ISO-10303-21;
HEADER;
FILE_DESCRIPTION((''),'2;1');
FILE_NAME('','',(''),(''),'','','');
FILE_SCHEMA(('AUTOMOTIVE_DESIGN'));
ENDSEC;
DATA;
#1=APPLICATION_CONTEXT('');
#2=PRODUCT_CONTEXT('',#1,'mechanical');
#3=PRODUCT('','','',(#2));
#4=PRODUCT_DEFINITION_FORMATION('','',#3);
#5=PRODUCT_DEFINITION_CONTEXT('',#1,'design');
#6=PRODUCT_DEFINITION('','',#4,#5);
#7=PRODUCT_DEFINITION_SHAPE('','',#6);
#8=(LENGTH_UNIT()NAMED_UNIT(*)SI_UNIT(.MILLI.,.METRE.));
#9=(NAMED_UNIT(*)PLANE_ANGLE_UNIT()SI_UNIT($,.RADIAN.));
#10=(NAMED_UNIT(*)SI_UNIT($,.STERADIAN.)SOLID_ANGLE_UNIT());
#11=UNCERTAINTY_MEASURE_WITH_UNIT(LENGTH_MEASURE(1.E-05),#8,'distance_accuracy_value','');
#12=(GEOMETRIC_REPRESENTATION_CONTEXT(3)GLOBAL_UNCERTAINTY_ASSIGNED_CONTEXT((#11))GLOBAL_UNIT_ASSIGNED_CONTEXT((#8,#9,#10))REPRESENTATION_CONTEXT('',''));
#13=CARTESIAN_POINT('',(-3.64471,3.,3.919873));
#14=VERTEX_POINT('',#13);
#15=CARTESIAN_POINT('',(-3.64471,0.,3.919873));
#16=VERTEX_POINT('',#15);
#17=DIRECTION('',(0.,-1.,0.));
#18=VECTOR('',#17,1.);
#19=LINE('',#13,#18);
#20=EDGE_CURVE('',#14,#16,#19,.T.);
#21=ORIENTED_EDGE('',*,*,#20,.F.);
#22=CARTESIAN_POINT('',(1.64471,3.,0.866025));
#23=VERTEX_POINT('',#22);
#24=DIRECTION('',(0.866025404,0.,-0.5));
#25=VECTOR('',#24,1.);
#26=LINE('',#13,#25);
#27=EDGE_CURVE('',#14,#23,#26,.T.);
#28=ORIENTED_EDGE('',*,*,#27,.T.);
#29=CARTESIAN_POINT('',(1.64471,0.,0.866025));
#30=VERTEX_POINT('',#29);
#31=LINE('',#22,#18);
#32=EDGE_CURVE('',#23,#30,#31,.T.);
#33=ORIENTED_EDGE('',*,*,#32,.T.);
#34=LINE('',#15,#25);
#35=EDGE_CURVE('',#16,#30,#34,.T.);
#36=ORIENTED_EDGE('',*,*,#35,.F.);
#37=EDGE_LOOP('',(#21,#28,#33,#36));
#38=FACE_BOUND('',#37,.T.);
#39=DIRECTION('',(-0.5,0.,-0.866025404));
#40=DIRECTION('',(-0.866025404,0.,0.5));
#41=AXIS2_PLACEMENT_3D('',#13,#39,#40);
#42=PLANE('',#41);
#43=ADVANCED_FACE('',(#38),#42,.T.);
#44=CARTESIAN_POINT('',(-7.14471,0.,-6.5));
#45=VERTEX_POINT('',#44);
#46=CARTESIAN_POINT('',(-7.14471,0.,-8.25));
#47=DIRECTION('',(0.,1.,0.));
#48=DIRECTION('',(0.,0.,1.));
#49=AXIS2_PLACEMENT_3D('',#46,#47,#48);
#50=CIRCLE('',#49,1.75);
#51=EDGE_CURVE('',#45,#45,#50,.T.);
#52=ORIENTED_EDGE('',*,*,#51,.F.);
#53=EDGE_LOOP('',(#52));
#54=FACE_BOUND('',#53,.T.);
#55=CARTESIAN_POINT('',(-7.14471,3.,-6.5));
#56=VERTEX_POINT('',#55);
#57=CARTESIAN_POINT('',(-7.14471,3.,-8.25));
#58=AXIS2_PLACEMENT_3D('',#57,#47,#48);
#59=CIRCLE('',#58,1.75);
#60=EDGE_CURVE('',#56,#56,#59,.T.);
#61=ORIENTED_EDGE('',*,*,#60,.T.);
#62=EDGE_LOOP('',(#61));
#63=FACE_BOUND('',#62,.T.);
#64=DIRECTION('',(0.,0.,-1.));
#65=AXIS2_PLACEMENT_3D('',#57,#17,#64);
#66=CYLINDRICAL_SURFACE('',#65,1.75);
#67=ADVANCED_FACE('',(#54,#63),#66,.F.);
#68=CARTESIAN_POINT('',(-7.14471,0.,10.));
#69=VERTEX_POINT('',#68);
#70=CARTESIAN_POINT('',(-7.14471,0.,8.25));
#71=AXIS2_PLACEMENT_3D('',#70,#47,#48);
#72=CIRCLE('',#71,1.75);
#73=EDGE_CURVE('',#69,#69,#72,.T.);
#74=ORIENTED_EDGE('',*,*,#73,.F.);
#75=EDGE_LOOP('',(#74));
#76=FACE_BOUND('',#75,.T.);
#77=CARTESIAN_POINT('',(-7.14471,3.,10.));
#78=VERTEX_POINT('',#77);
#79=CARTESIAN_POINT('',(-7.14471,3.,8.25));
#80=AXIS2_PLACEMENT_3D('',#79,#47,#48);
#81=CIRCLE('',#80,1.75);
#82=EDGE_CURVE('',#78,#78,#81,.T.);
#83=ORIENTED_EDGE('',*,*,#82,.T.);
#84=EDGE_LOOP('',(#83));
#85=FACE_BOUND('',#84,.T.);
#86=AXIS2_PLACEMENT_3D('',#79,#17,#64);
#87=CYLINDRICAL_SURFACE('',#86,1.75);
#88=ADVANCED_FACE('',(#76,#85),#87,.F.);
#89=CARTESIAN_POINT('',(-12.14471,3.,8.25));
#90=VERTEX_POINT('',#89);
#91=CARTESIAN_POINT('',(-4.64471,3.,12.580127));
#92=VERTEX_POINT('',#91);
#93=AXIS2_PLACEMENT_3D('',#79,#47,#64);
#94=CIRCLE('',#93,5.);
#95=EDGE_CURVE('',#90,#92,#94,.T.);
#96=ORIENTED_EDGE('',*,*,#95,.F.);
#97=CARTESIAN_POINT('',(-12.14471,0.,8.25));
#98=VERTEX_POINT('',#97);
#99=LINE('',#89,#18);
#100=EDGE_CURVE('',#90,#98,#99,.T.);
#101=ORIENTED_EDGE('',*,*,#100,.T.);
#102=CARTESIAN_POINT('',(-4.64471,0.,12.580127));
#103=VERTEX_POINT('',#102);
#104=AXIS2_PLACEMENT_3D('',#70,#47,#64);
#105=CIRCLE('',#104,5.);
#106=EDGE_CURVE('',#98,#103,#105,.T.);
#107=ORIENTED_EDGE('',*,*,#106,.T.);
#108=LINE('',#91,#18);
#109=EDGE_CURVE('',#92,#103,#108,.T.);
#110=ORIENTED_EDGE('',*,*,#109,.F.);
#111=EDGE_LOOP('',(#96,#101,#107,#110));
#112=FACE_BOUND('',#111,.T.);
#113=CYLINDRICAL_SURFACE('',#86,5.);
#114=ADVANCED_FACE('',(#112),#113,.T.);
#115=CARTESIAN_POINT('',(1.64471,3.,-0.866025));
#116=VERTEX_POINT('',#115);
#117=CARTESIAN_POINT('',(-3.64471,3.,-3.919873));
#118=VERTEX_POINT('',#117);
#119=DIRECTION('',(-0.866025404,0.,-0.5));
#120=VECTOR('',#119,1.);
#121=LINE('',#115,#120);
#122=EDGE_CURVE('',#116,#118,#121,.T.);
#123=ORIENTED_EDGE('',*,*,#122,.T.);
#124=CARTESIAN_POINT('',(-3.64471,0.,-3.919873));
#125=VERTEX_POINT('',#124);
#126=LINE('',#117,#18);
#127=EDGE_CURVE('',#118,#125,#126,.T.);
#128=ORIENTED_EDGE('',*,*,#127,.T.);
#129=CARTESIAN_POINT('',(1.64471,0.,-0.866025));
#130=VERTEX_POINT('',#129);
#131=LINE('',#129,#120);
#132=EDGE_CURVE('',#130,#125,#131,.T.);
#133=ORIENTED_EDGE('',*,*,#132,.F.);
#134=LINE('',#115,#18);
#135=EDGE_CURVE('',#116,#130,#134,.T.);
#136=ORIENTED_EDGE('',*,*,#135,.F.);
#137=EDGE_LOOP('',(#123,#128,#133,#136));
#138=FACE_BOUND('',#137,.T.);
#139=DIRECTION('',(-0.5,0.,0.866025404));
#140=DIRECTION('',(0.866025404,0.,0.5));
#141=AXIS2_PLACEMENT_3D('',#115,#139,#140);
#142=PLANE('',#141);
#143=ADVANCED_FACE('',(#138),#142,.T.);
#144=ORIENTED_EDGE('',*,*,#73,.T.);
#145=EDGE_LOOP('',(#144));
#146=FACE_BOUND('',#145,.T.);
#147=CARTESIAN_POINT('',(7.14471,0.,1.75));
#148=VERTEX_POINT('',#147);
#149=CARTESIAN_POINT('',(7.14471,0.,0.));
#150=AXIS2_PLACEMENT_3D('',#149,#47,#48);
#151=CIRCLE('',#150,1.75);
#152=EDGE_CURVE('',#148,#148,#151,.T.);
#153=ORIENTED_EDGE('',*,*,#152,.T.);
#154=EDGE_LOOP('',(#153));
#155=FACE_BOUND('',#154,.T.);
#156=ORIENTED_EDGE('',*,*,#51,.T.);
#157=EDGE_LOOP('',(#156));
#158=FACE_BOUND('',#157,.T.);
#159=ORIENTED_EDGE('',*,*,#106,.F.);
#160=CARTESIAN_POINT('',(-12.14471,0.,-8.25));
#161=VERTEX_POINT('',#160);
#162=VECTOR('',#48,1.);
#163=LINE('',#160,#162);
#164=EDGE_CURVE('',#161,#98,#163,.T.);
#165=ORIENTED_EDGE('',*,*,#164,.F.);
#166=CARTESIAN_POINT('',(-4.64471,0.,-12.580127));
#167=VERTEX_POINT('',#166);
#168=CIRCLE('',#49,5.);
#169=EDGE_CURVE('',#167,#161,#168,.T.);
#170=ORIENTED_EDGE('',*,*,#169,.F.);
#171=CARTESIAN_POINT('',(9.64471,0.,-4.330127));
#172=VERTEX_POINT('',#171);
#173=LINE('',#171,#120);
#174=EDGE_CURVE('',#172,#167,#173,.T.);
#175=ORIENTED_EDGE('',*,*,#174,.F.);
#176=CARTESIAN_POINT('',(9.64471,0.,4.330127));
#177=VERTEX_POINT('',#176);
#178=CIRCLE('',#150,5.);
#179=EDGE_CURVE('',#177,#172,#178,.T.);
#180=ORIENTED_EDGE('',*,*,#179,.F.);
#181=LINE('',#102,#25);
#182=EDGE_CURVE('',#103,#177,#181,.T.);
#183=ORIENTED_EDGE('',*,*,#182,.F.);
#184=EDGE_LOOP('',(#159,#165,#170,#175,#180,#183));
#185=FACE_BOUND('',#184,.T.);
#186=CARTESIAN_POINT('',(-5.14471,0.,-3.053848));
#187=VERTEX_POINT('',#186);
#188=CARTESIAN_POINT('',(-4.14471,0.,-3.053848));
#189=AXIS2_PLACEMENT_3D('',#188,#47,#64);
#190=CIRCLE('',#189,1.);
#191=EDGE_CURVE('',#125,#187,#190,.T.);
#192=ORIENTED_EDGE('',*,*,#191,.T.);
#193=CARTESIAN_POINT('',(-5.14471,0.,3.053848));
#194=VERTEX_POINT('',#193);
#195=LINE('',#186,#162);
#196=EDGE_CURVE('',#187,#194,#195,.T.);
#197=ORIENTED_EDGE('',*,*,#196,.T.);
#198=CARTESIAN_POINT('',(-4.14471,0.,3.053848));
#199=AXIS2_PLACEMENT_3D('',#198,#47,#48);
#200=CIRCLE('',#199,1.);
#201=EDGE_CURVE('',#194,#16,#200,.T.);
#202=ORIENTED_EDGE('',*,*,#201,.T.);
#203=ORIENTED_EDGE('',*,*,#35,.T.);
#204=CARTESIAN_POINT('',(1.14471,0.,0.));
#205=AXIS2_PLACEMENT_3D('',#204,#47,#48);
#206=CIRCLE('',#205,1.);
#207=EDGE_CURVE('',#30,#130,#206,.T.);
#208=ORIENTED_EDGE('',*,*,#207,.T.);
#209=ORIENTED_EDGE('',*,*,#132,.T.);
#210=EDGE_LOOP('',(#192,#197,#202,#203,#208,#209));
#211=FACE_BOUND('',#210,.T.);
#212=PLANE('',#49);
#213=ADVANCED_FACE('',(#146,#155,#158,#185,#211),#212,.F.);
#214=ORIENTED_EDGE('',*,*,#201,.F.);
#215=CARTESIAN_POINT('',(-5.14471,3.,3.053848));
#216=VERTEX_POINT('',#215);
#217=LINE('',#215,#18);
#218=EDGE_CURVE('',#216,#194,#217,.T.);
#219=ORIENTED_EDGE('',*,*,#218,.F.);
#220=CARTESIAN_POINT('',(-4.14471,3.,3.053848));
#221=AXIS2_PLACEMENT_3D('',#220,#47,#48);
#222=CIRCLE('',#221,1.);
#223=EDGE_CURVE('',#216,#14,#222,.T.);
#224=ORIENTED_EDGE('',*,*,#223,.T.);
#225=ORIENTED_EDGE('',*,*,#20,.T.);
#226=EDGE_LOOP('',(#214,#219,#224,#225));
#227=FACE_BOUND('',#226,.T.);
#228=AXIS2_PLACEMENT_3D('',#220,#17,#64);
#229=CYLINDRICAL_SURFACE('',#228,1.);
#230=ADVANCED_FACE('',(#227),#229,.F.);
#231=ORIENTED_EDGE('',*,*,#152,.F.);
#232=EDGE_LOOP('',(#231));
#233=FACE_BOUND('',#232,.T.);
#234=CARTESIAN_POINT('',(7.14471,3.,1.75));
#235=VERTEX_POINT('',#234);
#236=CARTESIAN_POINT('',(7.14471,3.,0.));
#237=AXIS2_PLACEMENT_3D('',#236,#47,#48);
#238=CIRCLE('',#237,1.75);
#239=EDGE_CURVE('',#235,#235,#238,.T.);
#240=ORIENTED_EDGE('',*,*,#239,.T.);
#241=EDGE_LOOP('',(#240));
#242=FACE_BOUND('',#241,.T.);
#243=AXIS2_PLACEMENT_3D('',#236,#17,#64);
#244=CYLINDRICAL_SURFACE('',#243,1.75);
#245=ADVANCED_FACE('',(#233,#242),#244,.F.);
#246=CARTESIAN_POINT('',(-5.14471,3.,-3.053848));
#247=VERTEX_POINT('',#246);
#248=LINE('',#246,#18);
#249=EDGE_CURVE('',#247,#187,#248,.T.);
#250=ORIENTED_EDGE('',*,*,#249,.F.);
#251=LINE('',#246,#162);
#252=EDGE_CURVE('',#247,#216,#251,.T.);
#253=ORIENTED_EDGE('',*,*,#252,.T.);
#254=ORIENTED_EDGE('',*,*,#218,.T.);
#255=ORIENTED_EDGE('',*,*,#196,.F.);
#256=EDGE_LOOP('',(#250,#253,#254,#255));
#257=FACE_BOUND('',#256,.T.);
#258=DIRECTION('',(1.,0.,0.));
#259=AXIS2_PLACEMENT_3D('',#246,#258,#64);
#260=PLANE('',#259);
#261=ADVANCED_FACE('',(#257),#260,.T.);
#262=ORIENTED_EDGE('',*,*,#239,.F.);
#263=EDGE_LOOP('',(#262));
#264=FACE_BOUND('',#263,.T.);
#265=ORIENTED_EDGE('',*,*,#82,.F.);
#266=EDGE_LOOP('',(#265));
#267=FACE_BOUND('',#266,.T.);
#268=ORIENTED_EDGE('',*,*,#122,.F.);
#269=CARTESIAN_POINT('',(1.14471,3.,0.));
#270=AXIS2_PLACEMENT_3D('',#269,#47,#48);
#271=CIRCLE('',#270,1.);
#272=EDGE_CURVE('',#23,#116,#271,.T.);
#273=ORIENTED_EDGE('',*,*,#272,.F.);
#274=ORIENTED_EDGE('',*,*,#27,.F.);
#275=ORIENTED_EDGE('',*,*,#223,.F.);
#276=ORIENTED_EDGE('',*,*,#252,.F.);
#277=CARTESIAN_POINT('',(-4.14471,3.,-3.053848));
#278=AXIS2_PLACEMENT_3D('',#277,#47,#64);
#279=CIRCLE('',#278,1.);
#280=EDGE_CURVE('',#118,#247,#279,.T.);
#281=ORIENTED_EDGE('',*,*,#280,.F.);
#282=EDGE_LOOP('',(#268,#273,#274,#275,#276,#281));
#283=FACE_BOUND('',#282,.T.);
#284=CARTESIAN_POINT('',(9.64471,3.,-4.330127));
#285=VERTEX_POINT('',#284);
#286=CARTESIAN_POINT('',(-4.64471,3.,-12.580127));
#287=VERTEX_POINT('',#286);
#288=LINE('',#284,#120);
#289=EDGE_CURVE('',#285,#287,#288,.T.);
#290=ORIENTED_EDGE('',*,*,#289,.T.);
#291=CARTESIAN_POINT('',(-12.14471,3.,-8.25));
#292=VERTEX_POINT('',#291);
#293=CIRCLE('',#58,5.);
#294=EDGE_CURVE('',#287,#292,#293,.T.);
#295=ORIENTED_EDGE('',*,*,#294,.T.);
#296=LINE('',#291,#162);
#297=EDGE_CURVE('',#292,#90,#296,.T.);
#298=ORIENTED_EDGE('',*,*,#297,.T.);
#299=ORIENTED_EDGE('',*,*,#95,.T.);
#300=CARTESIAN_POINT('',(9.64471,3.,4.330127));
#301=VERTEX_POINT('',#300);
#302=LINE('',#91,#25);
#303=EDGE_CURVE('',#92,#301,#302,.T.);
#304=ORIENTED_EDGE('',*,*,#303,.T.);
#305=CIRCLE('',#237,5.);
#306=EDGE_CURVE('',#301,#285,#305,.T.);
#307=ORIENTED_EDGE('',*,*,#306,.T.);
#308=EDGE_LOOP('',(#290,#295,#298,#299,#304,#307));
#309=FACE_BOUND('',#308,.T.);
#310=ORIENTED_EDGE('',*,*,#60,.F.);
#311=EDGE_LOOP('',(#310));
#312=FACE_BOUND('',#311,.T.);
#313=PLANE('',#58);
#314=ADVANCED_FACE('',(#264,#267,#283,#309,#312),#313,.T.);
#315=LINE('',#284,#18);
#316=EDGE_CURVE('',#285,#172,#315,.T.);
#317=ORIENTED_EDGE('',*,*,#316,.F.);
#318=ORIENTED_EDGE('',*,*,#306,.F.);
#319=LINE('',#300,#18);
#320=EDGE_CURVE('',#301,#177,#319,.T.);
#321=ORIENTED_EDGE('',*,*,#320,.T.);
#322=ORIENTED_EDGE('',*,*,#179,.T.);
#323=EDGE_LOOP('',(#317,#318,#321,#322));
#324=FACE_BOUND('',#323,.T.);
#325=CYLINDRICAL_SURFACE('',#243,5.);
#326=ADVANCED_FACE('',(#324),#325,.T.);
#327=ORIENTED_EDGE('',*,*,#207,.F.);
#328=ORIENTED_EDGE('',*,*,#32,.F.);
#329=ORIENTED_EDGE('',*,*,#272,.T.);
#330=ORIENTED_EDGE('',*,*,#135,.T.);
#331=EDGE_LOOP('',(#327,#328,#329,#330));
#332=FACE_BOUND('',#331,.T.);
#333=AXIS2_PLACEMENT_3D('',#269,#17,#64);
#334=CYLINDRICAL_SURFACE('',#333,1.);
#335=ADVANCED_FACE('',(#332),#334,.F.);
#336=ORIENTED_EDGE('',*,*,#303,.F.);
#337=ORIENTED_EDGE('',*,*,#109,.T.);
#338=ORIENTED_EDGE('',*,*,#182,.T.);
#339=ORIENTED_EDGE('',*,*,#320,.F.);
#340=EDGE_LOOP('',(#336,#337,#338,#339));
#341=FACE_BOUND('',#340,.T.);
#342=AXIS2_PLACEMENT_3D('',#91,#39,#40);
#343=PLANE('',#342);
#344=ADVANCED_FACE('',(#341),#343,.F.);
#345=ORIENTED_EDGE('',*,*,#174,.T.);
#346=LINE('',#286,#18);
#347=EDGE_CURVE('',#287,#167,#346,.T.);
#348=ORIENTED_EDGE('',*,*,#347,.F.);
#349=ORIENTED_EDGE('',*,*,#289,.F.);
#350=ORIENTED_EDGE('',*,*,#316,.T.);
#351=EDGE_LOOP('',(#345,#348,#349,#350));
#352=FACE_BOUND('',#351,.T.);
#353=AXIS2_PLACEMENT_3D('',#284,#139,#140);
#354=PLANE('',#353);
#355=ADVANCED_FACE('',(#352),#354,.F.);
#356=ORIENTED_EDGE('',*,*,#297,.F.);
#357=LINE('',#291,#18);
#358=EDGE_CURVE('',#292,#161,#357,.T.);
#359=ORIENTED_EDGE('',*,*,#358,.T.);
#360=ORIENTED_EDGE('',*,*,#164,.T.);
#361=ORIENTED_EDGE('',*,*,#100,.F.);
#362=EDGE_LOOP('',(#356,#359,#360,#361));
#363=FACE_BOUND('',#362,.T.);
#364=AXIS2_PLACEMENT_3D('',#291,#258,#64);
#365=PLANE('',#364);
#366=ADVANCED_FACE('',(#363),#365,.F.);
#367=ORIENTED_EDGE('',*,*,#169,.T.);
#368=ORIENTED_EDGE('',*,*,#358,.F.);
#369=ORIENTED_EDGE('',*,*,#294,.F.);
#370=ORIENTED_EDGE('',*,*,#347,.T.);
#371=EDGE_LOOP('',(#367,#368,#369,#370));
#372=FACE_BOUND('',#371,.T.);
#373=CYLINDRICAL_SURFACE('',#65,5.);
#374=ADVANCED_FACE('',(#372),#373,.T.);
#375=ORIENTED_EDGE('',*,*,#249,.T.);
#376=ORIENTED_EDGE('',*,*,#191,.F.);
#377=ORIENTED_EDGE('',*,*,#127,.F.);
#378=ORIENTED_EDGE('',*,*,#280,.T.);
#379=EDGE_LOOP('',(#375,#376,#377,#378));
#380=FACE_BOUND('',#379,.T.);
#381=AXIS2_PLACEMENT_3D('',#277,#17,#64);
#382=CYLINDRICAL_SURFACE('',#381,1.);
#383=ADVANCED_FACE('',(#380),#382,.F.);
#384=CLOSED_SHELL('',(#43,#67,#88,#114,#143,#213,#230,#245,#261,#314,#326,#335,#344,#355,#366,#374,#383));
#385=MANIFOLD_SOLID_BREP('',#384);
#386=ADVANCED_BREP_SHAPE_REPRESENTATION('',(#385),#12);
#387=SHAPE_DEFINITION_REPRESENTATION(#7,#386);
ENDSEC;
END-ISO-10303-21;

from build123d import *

# Parameters (mm, degrees)
SKETCH3_R           = 1.75
BOSS_EXTRUDE1_DEPTH = 3


with BuildPart() as part:
    # Sketch3 → Boss-Extrude1 (new body)
    with BuildSketch(Plane(origin=(0, 0, 0), x_dir=(1, 0, 0), z_dir=(0, 1, 0))):
        with BuildLine():
            Line((9.644709581, 4.330127019), (-4.644709581, 12.580127019))
            ThreePointArc((-4.644709581, 12.580127019), (-9.644709581, 12.580127019), (-12.144709581, 8.25))
            Line((-12.144709581, 8.25), (-12.144709581, -8.25))
            ThreePointArc((-12.144709581, -8.25), (-9.644709581, -12.580127019), (-4.644709581, -12.580127019))
            Line((-4.644709581, -12.580127019), (9.644709581, -4.330127019))
            ThreePointArc((9.644709581, -4.330127019), (12.144709581, 0), (9.644709581, 4.330127019))
        make_face()
        with Locations((7.144709581, 0)):
            Circle(SKETCH3_R, mode=Mode.SUBTRACT)
        with Locations((-7.144709581, 8.25)):
            Circle(SKETCH3_R, mode=Mode.SUBTRACT)
        with Locations((-7.144709581, -8.25)):
            Circle(SKETCH3_R, mode=Mode.SUBTRACT)
        with BuildLine():
            Line((1.644709581, 0.866025404), (-3.644709581, 3.919872981))
            ThreePointArc((-3.644709581, 3.919872981), (-4.644709581, 3.919872981), (-5.144709581, 3.053847577))
            Line((-5.144709581, 3.053847577), (-5.144709581, -3.053847577))
            ThreePointArc((-5.144709581, -3.053847577), (-4.644709581, -3.919872981), (-3.644709581, -3.919872981))
            Line((-3.644709581, -3.919872981), (1.644709581, -0.866025404))
            ThreePointArc((1.644709581, -0.866025404), (2.144709581, 0), (1.644709581, 0.866025404))
        make_face(mode=Mode.SUBTRACT)
    extrude(amount=BOSS_EXTRUDE1_DEPTH)


solid = part.part
